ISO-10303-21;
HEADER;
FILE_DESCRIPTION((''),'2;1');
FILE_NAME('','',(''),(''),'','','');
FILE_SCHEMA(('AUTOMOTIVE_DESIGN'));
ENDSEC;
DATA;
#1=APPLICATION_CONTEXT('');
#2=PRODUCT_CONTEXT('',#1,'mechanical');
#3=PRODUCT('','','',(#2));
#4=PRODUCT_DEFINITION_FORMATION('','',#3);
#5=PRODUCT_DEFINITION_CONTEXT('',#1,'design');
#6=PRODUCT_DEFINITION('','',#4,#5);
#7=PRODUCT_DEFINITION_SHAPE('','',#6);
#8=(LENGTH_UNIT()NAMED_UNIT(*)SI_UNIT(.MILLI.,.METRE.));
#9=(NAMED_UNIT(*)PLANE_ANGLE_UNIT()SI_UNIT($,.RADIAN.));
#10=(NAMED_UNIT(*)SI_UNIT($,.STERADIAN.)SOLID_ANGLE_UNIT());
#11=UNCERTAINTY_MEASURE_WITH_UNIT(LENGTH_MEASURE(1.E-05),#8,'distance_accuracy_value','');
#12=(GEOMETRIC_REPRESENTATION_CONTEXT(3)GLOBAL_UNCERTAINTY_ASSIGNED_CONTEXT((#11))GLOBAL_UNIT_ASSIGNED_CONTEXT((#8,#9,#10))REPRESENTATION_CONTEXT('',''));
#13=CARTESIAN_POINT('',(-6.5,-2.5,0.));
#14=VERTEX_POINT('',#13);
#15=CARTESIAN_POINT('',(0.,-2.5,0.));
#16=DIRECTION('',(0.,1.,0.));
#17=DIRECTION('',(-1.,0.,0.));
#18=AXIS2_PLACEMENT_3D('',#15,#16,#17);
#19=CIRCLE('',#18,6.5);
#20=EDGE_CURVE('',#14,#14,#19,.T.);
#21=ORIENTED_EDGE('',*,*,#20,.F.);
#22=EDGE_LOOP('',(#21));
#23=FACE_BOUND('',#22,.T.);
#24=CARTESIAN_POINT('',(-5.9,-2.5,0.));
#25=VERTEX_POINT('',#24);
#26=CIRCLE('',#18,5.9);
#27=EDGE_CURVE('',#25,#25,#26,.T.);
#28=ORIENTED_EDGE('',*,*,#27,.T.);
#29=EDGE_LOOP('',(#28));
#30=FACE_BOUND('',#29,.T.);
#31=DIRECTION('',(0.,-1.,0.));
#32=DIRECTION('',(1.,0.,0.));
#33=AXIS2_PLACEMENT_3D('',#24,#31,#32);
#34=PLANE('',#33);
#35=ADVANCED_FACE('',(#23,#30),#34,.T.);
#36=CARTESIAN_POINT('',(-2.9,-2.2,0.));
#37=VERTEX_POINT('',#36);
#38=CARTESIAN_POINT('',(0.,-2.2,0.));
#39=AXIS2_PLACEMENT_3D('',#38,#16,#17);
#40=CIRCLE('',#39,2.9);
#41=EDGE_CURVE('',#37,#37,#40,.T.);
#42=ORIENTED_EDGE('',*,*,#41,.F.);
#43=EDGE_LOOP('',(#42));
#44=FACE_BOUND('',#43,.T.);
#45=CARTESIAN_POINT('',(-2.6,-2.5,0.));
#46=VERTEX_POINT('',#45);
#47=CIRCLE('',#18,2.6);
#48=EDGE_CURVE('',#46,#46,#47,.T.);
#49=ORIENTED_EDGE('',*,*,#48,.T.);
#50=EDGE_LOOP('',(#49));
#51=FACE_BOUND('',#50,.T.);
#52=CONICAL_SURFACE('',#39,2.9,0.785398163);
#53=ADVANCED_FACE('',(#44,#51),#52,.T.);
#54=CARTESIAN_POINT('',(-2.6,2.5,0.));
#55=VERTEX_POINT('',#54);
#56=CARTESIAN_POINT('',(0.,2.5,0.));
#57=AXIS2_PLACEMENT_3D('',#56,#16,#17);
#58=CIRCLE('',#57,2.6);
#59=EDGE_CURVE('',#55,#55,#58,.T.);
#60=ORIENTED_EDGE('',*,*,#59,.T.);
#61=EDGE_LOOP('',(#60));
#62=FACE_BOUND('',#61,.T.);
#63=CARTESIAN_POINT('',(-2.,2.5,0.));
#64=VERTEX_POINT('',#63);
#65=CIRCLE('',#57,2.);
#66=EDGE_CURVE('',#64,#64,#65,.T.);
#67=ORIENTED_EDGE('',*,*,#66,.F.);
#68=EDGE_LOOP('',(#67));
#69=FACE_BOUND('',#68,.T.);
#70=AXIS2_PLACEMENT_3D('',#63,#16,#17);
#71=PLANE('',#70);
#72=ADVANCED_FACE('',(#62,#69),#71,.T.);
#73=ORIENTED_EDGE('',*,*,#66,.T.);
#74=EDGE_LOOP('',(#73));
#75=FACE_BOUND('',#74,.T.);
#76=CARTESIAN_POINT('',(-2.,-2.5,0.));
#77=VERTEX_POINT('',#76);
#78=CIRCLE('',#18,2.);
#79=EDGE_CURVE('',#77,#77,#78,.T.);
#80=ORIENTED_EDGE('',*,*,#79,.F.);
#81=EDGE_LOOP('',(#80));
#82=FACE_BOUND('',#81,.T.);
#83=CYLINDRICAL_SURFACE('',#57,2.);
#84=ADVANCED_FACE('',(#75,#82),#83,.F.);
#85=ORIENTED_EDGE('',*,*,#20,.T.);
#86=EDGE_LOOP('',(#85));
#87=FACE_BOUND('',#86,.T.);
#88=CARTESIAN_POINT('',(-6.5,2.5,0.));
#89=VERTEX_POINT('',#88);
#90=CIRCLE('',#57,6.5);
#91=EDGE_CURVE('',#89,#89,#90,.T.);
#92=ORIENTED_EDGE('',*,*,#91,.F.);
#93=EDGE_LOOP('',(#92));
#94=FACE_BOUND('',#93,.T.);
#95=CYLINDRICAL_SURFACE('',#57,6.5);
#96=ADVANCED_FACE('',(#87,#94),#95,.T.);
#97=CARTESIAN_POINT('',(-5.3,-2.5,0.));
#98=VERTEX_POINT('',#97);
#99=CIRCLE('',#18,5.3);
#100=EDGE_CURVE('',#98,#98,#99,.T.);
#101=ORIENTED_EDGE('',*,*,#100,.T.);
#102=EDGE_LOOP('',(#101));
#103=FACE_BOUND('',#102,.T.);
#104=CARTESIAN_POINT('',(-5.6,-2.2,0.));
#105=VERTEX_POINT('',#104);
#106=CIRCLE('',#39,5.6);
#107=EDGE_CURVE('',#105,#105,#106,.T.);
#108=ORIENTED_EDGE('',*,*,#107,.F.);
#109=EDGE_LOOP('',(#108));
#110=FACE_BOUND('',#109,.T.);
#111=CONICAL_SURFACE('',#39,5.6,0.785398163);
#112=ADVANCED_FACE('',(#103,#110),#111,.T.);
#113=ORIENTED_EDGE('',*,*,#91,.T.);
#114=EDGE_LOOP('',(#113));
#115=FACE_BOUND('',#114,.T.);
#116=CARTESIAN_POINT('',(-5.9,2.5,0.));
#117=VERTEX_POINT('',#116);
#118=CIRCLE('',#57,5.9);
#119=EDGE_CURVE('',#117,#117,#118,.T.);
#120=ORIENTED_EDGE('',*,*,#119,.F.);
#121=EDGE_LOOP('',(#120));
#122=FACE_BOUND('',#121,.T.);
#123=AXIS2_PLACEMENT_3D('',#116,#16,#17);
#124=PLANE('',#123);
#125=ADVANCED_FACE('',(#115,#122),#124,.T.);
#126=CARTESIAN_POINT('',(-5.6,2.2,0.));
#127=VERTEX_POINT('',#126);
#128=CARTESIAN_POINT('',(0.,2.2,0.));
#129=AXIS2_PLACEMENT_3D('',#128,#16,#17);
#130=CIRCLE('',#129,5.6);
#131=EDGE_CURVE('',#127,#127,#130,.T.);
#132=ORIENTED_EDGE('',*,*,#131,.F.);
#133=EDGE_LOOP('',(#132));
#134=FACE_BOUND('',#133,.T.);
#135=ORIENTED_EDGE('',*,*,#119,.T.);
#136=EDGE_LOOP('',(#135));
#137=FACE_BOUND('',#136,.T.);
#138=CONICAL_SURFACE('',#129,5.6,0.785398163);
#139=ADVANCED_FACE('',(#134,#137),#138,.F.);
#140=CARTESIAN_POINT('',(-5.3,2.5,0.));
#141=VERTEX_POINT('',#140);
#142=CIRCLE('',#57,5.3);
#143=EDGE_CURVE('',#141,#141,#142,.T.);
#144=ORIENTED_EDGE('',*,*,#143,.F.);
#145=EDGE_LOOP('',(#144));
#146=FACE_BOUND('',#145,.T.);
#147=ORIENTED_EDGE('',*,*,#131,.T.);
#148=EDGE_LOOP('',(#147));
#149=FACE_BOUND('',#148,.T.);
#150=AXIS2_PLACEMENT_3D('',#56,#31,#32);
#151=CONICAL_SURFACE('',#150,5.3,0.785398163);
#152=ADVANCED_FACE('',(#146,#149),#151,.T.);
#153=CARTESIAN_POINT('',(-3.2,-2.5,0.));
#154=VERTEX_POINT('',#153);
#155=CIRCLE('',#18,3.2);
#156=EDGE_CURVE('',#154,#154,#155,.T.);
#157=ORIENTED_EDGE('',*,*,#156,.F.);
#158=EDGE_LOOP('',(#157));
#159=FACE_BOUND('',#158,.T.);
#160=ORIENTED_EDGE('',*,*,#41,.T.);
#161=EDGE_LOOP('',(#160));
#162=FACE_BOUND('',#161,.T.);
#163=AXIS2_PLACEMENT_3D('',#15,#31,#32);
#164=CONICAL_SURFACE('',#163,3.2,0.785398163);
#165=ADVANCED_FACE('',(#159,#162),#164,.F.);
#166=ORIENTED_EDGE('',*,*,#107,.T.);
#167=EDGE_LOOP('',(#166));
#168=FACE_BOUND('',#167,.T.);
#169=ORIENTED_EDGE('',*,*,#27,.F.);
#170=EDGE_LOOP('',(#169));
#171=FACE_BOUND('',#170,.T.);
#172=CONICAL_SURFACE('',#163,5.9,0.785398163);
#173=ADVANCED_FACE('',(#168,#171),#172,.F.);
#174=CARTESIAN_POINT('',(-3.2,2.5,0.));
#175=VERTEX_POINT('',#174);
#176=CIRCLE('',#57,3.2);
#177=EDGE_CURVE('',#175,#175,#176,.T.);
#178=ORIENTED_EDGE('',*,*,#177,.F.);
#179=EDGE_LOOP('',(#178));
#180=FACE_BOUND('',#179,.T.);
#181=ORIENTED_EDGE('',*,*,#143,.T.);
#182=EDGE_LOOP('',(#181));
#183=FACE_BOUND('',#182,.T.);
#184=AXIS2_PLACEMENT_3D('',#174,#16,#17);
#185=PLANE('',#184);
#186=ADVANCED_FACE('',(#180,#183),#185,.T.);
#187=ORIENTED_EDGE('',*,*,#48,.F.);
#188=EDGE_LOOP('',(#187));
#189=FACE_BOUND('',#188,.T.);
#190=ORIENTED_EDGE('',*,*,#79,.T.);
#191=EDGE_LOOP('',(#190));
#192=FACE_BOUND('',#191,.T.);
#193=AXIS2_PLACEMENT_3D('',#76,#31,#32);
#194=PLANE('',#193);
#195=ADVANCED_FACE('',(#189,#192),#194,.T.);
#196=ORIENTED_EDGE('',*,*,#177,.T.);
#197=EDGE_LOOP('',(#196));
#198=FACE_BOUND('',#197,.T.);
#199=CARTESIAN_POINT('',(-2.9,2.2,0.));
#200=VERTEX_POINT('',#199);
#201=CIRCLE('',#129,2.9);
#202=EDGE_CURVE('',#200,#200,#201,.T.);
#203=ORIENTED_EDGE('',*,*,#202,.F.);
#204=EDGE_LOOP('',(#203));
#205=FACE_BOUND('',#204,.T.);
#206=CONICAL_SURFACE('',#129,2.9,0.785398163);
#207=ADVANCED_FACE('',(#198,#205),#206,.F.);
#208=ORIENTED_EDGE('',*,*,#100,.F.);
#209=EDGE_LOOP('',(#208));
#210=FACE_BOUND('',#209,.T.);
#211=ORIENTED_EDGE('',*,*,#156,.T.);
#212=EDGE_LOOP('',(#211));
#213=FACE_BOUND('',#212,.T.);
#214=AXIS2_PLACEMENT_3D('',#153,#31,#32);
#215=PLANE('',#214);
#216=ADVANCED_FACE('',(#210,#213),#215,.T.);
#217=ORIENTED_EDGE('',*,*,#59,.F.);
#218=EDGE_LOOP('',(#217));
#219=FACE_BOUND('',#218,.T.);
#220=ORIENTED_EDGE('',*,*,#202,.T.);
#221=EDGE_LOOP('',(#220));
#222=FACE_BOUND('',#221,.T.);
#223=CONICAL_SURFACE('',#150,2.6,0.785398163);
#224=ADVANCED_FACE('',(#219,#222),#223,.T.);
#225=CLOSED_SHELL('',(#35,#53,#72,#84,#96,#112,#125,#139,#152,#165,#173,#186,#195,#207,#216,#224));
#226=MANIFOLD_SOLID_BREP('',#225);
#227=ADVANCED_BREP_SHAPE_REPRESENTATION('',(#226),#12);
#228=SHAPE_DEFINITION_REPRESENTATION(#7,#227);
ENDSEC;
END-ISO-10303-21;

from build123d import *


with BuildPart() as part:
    # Sketch1 → Revolve1 (revolve)
    with BuildSketch(Plane.XY):
        Polygon((-2, 2.5), (-2.6, 2.5), (-2.9, 2.2), (-3.2, 2.5), (-5.3, 2.5), (-5.6, 2.2), (-5.9, 2.5), (-6.5, 2.5), (-6.5, -2.5), (-5.9, -2.5), (-5.6, -2.2), (-5.3, -2.5), (-3.2, -2.5), (-2.9, -2.2), (-2.6, -2.5), (-2, -2.5), align=None)
    revolve(axis=Axis((0, 2.5, 0), (0, -1, 0)))


solid = part.part
